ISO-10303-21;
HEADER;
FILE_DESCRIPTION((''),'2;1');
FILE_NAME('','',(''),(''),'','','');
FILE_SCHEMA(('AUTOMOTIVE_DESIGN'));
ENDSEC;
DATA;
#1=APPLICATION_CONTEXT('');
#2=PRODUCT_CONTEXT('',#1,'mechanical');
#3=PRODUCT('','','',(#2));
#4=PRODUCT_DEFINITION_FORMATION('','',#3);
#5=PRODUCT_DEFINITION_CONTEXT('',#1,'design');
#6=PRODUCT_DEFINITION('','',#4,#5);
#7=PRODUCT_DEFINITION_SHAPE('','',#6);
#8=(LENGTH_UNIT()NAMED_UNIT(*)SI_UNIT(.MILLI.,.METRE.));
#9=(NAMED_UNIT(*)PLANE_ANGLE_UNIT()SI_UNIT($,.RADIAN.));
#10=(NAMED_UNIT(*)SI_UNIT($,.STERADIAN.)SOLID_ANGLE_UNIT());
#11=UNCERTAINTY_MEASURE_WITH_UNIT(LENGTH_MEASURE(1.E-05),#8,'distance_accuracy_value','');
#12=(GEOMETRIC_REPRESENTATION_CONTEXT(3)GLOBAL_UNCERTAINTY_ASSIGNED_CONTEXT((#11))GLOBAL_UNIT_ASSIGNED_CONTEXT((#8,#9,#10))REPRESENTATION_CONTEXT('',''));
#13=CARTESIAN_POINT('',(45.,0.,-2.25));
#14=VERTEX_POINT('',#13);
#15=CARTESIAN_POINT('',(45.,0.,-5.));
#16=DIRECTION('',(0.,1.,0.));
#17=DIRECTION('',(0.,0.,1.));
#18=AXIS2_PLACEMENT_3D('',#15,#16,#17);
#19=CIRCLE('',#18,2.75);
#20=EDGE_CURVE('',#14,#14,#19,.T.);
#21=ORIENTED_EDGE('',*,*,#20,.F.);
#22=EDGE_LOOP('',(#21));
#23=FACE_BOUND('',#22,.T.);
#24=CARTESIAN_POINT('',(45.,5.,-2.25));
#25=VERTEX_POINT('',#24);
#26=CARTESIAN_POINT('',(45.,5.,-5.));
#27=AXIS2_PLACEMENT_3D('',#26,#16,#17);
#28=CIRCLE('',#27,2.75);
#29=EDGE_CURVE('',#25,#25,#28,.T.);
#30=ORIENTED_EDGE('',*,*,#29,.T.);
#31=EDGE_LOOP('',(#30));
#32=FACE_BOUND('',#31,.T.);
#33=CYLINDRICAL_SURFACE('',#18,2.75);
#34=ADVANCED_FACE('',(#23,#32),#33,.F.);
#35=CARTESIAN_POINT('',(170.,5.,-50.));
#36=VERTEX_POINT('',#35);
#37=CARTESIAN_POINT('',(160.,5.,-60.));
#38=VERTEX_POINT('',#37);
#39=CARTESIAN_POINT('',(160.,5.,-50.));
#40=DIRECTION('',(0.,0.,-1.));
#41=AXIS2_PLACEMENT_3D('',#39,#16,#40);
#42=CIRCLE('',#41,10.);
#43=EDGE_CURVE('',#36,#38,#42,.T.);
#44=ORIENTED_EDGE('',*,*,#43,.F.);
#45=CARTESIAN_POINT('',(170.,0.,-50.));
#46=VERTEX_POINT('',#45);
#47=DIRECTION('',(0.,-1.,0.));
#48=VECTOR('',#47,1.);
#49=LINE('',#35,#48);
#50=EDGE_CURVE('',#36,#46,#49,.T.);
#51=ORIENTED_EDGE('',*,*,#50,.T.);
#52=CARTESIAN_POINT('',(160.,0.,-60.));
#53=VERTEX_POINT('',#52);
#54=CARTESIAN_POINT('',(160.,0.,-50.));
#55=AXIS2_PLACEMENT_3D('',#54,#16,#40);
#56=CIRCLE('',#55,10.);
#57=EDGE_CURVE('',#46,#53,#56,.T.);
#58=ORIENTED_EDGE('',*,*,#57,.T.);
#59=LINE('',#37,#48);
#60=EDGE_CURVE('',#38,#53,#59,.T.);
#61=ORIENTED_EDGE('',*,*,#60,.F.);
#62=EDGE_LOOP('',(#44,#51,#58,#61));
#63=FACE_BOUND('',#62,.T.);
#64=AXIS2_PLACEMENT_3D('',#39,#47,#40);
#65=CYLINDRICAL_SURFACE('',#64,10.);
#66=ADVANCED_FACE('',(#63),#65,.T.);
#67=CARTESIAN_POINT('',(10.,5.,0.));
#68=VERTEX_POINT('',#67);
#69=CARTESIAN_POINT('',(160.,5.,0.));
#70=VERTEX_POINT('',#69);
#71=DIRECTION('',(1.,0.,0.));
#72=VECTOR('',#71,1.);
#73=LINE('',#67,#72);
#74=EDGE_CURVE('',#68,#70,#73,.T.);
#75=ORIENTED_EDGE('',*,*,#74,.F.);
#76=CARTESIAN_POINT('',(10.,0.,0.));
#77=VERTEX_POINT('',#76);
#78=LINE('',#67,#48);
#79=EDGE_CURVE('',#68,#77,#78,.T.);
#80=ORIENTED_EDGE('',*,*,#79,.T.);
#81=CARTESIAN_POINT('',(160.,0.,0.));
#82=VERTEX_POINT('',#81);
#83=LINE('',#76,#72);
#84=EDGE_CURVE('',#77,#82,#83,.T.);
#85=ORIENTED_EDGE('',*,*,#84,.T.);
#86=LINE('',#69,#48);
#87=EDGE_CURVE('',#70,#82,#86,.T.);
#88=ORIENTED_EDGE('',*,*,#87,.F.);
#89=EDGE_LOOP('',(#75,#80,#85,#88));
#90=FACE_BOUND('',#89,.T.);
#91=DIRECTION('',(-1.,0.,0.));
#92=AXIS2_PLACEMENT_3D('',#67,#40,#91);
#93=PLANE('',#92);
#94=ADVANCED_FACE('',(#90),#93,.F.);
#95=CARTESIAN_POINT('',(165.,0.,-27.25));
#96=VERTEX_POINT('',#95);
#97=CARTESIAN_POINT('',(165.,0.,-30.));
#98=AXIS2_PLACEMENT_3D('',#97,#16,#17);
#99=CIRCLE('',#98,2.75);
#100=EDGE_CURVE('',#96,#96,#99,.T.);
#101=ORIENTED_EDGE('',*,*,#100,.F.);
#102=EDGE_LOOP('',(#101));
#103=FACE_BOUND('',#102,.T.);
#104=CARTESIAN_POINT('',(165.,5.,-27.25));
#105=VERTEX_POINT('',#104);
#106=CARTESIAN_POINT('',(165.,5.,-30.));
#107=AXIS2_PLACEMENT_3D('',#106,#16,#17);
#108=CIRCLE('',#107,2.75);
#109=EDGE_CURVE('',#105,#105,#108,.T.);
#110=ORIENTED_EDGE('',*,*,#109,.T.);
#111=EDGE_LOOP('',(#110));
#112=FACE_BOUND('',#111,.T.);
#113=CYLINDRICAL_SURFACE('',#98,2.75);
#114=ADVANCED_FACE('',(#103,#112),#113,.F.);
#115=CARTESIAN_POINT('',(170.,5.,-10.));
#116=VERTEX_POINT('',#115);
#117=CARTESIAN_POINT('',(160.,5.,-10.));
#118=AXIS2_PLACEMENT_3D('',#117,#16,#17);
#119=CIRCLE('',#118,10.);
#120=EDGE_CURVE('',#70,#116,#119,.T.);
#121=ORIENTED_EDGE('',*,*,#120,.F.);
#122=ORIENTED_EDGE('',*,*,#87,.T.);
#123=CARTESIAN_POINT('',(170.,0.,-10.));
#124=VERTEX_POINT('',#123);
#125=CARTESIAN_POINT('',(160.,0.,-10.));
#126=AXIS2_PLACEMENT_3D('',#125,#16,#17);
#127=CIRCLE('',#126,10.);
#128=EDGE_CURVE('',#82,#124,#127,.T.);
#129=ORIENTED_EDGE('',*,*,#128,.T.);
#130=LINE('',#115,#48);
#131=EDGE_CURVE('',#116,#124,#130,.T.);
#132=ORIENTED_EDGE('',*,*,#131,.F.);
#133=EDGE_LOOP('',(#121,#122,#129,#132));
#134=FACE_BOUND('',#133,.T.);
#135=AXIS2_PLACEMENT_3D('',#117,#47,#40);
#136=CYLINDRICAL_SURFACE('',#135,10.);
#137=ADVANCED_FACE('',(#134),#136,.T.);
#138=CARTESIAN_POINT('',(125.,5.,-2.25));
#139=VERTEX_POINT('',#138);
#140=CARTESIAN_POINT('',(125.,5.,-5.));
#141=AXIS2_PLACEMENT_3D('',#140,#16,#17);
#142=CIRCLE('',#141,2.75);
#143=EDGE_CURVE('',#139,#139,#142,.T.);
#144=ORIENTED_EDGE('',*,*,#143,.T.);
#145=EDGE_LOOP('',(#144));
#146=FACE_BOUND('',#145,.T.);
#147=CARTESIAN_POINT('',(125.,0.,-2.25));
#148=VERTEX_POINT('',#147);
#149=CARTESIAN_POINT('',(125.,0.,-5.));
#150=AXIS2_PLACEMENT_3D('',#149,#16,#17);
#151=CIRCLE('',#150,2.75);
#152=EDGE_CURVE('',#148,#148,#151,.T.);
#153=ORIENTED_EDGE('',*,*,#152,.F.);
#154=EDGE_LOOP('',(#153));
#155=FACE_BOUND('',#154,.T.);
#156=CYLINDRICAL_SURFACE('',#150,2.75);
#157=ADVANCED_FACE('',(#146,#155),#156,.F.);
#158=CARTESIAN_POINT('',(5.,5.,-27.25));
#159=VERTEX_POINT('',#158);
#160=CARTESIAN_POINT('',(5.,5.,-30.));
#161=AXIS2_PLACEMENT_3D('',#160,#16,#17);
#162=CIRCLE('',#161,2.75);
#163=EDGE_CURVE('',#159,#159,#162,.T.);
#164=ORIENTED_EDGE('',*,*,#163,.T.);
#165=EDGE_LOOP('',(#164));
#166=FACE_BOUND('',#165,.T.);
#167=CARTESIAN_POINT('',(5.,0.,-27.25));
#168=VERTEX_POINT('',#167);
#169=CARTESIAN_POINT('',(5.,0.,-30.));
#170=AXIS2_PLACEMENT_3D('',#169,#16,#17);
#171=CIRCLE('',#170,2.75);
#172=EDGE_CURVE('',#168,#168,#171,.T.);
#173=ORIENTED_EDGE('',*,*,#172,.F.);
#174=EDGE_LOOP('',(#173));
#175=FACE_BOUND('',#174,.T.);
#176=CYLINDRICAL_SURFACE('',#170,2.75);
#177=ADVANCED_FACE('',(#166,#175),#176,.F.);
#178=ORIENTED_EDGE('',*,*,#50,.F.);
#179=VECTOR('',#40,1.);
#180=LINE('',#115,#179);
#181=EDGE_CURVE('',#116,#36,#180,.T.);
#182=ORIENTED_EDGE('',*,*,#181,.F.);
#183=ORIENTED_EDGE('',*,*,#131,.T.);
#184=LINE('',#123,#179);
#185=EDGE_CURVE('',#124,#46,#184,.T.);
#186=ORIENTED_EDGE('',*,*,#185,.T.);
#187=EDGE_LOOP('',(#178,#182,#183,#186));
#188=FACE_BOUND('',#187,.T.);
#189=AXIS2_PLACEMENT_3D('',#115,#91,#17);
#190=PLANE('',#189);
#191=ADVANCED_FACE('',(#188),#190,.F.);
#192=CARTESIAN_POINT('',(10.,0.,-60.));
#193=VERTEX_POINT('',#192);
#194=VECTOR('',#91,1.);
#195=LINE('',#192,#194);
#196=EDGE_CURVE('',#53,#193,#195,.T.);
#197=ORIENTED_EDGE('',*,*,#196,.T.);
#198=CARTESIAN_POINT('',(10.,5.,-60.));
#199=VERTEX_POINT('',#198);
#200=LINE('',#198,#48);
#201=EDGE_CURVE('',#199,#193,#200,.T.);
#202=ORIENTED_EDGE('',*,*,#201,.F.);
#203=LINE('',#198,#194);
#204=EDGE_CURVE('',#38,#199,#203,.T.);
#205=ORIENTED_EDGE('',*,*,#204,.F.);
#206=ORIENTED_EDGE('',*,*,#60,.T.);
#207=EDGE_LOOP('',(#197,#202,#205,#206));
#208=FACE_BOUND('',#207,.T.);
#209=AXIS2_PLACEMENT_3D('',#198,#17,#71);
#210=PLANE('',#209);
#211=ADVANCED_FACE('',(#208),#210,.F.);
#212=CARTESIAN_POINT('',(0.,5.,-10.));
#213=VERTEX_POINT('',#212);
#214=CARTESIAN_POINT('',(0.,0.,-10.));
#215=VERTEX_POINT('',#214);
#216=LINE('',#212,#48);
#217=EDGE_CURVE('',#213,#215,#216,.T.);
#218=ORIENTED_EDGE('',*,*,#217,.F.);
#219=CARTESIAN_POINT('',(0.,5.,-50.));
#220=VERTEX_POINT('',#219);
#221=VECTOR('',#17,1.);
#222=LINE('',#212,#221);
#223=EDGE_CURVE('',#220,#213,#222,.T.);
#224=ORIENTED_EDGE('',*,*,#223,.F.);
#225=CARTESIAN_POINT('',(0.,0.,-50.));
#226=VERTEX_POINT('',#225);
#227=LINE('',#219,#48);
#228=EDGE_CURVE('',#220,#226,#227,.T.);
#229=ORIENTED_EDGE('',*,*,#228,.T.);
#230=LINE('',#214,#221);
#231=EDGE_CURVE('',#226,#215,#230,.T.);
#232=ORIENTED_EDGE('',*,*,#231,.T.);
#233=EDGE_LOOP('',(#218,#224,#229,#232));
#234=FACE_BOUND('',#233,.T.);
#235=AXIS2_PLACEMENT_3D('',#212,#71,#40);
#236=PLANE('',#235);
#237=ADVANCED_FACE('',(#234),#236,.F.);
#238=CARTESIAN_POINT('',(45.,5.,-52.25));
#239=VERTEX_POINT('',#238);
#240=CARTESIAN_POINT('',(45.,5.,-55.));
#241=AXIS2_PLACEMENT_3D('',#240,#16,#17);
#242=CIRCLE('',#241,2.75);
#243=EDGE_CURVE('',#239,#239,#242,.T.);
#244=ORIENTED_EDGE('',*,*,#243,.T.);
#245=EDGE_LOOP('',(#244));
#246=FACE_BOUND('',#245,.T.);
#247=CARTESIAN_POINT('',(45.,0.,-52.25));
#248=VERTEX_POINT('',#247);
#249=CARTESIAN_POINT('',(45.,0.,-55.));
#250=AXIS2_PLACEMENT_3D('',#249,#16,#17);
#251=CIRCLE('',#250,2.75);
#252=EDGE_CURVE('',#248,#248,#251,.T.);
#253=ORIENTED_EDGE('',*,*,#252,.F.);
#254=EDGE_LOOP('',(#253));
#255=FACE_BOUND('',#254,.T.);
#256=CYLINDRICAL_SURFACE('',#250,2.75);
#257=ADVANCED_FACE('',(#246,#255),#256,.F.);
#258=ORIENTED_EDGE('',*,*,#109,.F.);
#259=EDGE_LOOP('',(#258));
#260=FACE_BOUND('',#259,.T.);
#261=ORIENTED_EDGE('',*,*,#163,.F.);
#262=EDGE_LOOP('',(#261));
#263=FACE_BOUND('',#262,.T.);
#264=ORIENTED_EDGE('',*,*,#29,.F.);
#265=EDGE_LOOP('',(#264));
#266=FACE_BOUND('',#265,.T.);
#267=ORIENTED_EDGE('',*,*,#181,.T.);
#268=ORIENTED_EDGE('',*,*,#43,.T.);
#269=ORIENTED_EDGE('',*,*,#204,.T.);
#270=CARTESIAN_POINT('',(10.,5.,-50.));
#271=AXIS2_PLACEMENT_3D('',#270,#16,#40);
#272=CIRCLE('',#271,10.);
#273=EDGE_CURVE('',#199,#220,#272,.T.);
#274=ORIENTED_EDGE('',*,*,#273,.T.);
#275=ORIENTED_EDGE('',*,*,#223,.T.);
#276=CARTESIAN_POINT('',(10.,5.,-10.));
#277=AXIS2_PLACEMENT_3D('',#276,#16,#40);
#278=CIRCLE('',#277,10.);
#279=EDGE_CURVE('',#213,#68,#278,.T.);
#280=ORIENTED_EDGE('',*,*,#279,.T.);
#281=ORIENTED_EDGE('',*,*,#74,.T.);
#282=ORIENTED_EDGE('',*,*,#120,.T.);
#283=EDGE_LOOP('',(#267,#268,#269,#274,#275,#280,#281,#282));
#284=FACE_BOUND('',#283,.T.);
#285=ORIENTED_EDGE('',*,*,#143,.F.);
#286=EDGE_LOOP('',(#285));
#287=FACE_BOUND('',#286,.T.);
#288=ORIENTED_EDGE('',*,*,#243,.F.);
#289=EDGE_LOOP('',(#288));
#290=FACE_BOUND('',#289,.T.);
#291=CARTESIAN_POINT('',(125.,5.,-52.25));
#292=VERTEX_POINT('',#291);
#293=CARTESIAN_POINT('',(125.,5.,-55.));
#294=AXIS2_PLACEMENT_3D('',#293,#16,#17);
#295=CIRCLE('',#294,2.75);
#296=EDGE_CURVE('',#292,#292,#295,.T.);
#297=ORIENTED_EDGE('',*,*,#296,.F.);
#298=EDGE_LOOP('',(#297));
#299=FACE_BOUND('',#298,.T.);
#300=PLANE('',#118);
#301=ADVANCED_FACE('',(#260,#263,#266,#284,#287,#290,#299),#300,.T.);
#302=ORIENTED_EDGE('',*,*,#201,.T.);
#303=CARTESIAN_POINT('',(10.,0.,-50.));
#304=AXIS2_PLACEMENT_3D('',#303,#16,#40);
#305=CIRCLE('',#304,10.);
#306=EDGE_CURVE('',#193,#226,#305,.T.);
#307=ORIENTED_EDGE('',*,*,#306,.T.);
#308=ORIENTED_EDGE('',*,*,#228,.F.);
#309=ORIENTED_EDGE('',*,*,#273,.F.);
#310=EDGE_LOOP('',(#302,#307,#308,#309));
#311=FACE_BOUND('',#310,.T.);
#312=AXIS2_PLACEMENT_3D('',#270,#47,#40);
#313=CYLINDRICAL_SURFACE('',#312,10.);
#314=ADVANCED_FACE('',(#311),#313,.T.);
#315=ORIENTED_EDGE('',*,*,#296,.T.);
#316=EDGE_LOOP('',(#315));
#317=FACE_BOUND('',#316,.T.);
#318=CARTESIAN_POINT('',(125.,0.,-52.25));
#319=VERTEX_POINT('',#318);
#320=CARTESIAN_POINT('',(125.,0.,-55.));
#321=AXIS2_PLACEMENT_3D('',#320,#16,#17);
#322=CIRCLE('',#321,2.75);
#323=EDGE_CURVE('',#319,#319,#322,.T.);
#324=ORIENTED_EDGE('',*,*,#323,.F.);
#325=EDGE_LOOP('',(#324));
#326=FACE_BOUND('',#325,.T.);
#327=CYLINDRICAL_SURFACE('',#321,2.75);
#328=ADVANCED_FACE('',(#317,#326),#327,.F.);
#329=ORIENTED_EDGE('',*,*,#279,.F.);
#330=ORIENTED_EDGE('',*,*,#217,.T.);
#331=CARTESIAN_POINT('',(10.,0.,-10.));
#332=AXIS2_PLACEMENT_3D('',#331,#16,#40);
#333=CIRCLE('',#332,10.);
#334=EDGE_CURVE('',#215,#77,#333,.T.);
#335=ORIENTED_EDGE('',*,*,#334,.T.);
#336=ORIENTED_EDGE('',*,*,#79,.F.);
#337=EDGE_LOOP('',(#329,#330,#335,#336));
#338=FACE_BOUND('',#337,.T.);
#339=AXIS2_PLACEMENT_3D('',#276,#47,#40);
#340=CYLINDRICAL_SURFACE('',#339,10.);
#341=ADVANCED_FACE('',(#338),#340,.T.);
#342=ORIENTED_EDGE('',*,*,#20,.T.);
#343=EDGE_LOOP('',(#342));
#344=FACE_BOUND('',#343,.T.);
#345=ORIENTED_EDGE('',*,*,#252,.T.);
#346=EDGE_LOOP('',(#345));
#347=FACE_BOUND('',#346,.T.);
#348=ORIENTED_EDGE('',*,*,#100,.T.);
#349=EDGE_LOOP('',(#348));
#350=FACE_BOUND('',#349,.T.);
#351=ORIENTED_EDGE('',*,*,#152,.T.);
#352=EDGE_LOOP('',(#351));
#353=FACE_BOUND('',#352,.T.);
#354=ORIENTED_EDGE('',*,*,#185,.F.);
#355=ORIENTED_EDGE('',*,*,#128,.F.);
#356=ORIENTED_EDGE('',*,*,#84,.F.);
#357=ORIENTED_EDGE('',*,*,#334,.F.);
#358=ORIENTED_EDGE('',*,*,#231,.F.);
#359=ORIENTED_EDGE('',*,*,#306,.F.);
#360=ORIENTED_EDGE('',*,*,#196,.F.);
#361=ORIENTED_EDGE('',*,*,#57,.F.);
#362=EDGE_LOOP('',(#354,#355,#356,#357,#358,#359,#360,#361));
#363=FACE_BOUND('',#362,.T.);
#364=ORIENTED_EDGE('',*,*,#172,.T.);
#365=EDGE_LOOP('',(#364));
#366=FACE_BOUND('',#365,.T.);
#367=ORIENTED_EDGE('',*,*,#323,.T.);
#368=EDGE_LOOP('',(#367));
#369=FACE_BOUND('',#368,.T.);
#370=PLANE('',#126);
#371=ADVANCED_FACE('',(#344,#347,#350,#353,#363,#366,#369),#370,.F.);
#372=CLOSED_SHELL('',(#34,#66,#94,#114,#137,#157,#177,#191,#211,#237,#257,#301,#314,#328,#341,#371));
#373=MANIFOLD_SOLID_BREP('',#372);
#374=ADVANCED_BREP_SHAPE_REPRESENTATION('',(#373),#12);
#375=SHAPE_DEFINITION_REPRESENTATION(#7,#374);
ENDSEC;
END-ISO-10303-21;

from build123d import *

# Parameters (mm, degrees)
BOSS_EXTRUDE2_DEPTH = 5
SKETCH3_R           = 2.75
CUT_EXTRUDE1_DEPTH  = 5


with BuildPart() as part:
    # Sketch1 → Boss-Extrude2 (new body)
    with BuildSketch(Plane(origin=(0, 0, 0), x_dir=(1, 0, 0), z_dir=(0, 1, 0))):
        with BuildLine():
            Line((10, 0), (160, 0))
            ThreePointArc((160, 0), (167.071067812, 2.928932188), (170, 10))
            Line((170, 10), (170, 50))
            ThreePointArc((170, 50), (167.071067812, 57.071067812), (160, 60))
            Line((160, 60), (10, 60))
            ThreePointArc((10, 60), (2.928932188, 57.071067812), (0, 50))
            Line((0, 50), (0, 10))
            ThreePointArc((0, 10), (2.928932188, 2.928932188), (10, 0))
        make_face()
    extrude(amount=BOSS_EXTRUDE2_DEPTH)

    # Sketch3 → Cut-Extrude1 (cut)
    with BuildSketch(Plane(origin=(0, 5, 0), x_dir=(1, 0, 0), z_dir=(0, 1, 0))):
        with Locations(Location((5, 30, 0), (0, 0, 270))):
            Circle(SKETCH3_R)
        with Locations(Location((45, 55, 0), (0, 0, 270))):
            Circle(SKETCH3_R)
        with Locations(Location((125, 55, 0), (0, 0, 270))):
            Circle(SKETCH3_R)
        with Locations(Location((165, 30, 0), (0, 0, 270))):
            Circle(SKETCH3_R)
        with Locations(Location((125, 5, 0), (0, 0, 270))):
            Circle(SKETCH3_R)
        with Locations(Location((45, 5, 0), (0, 0, 270))):
            Circle(SKETCH3_R)
    extrude(amount=-CUT_EXTRUDE1_DEPTH, mode=Mode.SUBTRACT)


solid = part.part
